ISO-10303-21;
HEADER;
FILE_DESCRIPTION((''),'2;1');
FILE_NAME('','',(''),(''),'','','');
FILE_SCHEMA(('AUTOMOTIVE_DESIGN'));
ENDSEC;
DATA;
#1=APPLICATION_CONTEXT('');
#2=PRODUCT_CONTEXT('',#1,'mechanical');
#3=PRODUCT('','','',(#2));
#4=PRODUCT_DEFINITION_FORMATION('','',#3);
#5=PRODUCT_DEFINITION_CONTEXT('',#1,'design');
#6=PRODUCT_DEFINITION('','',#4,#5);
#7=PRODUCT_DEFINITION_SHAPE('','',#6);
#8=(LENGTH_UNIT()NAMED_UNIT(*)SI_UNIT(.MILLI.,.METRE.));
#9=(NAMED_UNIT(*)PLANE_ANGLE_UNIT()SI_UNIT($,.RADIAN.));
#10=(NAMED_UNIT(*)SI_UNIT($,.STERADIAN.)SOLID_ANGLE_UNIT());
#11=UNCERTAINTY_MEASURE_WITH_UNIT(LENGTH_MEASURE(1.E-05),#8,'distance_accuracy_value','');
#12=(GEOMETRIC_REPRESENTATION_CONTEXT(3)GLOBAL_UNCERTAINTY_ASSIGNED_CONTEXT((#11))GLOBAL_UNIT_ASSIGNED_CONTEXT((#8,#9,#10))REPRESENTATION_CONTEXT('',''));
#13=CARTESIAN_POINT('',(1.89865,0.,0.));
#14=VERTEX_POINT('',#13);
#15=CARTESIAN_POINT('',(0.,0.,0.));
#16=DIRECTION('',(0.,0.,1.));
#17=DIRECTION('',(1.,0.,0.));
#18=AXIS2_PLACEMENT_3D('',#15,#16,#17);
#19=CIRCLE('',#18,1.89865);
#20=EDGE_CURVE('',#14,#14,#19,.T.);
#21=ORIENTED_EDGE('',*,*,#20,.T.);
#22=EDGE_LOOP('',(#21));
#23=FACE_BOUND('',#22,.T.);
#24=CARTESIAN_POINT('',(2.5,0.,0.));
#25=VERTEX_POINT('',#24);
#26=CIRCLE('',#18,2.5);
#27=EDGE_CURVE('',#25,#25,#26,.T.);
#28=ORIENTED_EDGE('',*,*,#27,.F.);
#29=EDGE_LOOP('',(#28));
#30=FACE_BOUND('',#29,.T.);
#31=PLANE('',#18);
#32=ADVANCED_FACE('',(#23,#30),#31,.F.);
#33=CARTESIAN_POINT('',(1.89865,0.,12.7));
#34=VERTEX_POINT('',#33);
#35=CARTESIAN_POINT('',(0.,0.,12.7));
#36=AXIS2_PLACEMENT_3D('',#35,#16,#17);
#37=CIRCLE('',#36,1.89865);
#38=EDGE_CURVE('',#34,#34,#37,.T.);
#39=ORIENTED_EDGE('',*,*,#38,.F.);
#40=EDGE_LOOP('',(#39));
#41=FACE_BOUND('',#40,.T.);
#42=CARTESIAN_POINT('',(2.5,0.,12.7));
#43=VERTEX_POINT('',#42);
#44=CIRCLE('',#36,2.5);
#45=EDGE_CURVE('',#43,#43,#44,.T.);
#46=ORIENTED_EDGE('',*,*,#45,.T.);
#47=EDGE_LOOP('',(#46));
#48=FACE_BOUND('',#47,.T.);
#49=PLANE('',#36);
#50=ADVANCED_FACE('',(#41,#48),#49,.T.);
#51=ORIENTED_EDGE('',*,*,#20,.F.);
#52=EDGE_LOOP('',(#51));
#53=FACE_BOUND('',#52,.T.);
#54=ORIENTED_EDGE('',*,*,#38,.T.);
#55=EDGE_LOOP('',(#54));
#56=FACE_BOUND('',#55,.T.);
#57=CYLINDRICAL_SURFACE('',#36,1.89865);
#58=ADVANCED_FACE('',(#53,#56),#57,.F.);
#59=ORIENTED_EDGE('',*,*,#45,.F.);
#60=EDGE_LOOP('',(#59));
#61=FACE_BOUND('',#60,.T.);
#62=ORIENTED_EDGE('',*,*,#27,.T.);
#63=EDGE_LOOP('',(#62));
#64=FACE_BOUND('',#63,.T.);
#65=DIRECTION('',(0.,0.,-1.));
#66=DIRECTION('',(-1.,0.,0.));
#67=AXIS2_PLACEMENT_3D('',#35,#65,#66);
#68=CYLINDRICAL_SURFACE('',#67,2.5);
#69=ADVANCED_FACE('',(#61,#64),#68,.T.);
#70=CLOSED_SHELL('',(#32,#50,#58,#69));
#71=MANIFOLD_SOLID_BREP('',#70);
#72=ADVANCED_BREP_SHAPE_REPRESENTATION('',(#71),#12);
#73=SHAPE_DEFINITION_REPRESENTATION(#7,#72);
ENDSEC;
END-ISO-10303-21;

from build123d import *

# Parameters (mm, degrees)
SKETCH1_R             = 2.5
BOSS_EXTRUDE1_DEPTH   = 12.7
F_6_CLEARANCE_HOLE1_D = 3.7973


with BuildPart() as part:
    # Sketch1 → Boss-Extrude1 (new body)
    with BuildSketch(Plane.XY):
        Circle(SKETCH1_R)
    extrude(amount=BOSS_EXTRUDE1_DEPTH)

    # #6 Clearance Hole1 (through all)
    with Locations(Plane.XY.offset(12.7)):
        with Locations((0, 0)):
            Hole(F_6_CLEARANCE_HOLE1_D / 2)


solid = part.part
